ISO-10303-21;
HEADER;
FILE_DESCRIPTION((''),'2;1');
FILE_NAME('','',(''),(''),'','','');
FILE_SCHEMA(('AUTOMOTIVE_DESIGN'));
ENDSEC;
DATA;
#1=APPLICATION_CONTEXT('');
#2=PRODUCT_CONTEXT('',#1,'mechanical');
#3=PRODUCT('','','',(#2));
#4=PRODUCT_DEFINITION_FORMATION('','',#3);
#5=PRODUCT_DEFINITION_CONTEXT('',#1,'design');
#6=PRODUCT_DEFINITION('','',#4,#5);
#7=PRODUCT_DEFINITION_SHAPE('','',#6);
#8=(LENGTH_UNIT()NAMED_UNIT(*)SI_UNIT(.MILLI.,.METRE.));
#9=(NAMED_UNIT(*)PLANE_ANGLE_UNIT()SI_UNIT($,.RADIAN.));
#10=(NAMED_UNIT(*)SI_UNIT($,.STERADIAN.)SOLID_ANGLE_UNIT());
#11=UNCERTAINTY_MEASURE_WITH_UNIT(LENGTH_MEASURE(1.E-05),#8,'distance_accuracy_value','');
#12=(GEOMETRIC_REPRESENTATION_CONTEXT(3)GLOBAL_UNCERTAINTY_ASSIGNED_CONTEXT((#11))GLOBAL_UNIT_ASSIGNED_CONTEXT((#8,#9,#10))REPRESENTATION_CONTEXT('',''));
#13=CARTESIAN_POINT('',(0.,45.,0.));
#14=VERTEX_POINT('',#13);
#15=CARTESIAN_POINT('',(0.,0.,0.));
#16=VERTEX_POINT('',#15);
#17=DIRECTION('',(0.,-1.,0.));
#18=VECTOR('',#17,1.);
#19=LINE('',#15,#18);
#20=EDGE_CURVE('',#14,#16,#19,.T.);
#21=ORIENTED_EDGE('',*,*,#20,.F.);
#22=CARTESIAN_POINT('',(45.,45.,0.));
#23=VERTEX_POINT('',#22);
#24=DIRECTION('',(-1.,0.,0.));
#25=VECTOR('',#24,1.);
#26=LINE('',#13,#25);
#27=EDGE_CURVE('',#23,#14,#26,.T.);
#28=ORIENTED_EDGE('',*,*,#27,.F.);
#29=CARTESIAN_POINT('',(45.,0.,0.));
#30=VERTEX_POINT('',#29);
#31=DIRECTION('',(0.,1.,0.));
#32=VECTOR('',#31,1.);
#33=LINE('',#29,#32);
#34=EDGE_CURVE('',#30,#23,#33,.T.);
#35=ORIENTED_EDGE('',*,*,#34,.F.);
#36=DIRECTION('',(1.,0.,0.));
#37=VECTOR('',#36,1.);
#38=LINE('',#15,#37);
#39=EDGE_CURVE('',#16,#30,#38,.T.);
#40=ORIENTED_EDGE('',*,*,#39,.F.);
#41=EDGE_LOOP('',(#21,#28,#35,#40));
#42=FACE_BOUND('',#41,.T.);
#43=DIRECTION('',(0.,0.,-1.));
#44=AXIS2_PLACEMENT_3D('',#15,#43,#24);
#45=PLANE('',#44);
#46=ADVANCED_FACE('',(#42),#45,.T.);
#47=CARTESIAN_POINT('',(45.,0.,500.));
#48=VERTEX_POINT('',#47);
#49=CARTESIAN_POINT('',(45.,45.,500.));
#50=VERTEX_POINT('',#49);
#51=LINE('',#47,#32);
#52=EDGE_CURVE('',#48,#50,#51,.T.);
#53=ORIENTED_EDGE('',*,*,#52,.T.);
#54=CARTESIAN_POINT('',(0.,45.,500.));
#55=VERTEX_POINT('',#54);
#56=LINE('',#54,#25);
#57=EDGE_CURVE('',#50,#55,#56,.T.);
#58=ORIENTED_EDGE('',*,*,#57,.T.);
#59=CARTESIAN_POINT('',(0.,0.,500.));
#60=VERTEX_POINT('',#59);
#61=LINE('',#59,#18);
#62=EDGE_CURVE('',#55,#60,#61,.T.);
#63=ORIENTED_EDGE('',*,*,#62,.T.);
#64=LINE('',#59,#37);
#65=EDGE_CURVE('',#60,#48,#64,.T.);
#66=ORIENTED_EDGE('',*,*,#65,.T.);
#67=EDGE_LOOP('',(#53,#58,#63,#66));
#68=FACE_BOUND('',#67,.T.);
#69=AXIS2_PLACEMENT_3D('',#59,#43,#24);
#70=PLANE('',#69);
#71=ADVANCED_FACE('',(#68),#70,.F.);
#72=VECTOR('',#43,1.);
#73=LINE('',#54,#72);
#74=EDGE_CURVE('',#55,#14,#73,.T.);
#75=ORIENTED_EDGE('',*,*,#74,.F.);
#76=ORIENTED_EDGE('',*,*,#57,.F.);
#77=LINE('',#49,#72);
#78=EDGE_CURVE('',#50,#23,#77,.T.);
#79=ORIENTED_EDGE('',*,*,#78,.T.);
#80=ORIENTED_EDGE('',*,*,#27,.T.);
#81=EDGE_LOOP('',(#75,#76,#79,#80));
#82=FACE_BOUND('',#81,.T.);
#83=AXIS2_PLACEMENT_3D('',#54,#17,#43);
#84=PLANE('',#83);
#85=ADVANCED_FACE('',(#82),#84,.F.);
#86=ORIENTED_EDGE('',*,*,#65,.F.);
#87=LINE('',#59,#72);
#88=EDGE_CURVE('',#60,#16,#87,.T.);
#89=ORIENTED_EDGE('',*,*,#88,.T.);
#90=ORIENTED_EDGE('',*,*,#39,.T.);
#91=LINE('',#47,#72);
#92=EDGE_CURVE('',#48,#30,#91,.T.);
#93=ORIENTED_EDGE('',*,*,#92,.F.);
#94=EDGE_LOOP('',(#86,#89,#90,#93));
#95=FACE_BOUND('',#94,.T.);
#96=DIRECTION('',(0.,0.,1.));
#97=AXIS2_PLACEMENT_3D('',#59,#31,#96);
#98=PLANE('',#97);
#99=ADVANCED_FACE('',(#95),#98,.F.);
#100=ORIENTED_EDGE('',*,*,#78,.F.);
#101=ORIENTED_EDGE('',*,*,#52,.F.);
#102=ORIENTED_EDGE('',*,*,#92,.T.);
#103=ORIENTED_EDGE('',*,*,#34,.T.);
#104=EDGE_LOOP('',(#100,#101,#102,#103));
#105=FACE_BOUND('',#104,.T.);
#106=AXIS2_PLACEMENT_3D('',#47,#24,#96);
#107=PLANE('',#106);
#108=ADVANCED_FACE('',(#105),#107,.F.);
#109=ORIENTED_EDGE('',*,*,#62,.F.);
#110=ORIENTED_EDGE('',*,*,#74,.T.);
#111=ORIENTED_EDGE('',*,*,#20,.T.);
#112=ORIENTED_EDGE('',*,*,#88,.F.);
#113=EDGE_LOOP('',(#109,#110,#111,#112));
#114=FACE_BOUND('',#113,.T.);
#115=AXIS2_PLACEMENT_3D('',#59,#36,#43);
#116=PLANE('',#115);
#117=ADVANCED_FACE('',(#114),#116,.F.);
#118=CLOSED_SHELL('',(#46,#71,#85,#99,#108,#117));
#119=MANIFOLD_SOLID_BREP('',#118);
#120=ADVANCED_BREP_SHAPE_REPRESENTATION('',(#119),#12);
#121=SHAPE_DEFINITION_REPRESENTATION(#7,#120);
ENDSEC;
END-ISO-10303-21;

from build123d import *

# Parameters (mm, degrees)
SKETCH1_W           = 45
SKETCH1_H           = 45
BOSS_EXTRUDE1_DEPTH = 500


with BuildPart() as part:
    # Sketch1 → Boss-Extrude1 (new body)
    with BuildSketch(Plane.XY):
        with Locations((22.5, 22.5)):
            Rectangle(SKETCH1_W, SKETCH1_H)
    extrude(amount=BOSS_EXTRUDE1_DEPTH)


solid = part.part
